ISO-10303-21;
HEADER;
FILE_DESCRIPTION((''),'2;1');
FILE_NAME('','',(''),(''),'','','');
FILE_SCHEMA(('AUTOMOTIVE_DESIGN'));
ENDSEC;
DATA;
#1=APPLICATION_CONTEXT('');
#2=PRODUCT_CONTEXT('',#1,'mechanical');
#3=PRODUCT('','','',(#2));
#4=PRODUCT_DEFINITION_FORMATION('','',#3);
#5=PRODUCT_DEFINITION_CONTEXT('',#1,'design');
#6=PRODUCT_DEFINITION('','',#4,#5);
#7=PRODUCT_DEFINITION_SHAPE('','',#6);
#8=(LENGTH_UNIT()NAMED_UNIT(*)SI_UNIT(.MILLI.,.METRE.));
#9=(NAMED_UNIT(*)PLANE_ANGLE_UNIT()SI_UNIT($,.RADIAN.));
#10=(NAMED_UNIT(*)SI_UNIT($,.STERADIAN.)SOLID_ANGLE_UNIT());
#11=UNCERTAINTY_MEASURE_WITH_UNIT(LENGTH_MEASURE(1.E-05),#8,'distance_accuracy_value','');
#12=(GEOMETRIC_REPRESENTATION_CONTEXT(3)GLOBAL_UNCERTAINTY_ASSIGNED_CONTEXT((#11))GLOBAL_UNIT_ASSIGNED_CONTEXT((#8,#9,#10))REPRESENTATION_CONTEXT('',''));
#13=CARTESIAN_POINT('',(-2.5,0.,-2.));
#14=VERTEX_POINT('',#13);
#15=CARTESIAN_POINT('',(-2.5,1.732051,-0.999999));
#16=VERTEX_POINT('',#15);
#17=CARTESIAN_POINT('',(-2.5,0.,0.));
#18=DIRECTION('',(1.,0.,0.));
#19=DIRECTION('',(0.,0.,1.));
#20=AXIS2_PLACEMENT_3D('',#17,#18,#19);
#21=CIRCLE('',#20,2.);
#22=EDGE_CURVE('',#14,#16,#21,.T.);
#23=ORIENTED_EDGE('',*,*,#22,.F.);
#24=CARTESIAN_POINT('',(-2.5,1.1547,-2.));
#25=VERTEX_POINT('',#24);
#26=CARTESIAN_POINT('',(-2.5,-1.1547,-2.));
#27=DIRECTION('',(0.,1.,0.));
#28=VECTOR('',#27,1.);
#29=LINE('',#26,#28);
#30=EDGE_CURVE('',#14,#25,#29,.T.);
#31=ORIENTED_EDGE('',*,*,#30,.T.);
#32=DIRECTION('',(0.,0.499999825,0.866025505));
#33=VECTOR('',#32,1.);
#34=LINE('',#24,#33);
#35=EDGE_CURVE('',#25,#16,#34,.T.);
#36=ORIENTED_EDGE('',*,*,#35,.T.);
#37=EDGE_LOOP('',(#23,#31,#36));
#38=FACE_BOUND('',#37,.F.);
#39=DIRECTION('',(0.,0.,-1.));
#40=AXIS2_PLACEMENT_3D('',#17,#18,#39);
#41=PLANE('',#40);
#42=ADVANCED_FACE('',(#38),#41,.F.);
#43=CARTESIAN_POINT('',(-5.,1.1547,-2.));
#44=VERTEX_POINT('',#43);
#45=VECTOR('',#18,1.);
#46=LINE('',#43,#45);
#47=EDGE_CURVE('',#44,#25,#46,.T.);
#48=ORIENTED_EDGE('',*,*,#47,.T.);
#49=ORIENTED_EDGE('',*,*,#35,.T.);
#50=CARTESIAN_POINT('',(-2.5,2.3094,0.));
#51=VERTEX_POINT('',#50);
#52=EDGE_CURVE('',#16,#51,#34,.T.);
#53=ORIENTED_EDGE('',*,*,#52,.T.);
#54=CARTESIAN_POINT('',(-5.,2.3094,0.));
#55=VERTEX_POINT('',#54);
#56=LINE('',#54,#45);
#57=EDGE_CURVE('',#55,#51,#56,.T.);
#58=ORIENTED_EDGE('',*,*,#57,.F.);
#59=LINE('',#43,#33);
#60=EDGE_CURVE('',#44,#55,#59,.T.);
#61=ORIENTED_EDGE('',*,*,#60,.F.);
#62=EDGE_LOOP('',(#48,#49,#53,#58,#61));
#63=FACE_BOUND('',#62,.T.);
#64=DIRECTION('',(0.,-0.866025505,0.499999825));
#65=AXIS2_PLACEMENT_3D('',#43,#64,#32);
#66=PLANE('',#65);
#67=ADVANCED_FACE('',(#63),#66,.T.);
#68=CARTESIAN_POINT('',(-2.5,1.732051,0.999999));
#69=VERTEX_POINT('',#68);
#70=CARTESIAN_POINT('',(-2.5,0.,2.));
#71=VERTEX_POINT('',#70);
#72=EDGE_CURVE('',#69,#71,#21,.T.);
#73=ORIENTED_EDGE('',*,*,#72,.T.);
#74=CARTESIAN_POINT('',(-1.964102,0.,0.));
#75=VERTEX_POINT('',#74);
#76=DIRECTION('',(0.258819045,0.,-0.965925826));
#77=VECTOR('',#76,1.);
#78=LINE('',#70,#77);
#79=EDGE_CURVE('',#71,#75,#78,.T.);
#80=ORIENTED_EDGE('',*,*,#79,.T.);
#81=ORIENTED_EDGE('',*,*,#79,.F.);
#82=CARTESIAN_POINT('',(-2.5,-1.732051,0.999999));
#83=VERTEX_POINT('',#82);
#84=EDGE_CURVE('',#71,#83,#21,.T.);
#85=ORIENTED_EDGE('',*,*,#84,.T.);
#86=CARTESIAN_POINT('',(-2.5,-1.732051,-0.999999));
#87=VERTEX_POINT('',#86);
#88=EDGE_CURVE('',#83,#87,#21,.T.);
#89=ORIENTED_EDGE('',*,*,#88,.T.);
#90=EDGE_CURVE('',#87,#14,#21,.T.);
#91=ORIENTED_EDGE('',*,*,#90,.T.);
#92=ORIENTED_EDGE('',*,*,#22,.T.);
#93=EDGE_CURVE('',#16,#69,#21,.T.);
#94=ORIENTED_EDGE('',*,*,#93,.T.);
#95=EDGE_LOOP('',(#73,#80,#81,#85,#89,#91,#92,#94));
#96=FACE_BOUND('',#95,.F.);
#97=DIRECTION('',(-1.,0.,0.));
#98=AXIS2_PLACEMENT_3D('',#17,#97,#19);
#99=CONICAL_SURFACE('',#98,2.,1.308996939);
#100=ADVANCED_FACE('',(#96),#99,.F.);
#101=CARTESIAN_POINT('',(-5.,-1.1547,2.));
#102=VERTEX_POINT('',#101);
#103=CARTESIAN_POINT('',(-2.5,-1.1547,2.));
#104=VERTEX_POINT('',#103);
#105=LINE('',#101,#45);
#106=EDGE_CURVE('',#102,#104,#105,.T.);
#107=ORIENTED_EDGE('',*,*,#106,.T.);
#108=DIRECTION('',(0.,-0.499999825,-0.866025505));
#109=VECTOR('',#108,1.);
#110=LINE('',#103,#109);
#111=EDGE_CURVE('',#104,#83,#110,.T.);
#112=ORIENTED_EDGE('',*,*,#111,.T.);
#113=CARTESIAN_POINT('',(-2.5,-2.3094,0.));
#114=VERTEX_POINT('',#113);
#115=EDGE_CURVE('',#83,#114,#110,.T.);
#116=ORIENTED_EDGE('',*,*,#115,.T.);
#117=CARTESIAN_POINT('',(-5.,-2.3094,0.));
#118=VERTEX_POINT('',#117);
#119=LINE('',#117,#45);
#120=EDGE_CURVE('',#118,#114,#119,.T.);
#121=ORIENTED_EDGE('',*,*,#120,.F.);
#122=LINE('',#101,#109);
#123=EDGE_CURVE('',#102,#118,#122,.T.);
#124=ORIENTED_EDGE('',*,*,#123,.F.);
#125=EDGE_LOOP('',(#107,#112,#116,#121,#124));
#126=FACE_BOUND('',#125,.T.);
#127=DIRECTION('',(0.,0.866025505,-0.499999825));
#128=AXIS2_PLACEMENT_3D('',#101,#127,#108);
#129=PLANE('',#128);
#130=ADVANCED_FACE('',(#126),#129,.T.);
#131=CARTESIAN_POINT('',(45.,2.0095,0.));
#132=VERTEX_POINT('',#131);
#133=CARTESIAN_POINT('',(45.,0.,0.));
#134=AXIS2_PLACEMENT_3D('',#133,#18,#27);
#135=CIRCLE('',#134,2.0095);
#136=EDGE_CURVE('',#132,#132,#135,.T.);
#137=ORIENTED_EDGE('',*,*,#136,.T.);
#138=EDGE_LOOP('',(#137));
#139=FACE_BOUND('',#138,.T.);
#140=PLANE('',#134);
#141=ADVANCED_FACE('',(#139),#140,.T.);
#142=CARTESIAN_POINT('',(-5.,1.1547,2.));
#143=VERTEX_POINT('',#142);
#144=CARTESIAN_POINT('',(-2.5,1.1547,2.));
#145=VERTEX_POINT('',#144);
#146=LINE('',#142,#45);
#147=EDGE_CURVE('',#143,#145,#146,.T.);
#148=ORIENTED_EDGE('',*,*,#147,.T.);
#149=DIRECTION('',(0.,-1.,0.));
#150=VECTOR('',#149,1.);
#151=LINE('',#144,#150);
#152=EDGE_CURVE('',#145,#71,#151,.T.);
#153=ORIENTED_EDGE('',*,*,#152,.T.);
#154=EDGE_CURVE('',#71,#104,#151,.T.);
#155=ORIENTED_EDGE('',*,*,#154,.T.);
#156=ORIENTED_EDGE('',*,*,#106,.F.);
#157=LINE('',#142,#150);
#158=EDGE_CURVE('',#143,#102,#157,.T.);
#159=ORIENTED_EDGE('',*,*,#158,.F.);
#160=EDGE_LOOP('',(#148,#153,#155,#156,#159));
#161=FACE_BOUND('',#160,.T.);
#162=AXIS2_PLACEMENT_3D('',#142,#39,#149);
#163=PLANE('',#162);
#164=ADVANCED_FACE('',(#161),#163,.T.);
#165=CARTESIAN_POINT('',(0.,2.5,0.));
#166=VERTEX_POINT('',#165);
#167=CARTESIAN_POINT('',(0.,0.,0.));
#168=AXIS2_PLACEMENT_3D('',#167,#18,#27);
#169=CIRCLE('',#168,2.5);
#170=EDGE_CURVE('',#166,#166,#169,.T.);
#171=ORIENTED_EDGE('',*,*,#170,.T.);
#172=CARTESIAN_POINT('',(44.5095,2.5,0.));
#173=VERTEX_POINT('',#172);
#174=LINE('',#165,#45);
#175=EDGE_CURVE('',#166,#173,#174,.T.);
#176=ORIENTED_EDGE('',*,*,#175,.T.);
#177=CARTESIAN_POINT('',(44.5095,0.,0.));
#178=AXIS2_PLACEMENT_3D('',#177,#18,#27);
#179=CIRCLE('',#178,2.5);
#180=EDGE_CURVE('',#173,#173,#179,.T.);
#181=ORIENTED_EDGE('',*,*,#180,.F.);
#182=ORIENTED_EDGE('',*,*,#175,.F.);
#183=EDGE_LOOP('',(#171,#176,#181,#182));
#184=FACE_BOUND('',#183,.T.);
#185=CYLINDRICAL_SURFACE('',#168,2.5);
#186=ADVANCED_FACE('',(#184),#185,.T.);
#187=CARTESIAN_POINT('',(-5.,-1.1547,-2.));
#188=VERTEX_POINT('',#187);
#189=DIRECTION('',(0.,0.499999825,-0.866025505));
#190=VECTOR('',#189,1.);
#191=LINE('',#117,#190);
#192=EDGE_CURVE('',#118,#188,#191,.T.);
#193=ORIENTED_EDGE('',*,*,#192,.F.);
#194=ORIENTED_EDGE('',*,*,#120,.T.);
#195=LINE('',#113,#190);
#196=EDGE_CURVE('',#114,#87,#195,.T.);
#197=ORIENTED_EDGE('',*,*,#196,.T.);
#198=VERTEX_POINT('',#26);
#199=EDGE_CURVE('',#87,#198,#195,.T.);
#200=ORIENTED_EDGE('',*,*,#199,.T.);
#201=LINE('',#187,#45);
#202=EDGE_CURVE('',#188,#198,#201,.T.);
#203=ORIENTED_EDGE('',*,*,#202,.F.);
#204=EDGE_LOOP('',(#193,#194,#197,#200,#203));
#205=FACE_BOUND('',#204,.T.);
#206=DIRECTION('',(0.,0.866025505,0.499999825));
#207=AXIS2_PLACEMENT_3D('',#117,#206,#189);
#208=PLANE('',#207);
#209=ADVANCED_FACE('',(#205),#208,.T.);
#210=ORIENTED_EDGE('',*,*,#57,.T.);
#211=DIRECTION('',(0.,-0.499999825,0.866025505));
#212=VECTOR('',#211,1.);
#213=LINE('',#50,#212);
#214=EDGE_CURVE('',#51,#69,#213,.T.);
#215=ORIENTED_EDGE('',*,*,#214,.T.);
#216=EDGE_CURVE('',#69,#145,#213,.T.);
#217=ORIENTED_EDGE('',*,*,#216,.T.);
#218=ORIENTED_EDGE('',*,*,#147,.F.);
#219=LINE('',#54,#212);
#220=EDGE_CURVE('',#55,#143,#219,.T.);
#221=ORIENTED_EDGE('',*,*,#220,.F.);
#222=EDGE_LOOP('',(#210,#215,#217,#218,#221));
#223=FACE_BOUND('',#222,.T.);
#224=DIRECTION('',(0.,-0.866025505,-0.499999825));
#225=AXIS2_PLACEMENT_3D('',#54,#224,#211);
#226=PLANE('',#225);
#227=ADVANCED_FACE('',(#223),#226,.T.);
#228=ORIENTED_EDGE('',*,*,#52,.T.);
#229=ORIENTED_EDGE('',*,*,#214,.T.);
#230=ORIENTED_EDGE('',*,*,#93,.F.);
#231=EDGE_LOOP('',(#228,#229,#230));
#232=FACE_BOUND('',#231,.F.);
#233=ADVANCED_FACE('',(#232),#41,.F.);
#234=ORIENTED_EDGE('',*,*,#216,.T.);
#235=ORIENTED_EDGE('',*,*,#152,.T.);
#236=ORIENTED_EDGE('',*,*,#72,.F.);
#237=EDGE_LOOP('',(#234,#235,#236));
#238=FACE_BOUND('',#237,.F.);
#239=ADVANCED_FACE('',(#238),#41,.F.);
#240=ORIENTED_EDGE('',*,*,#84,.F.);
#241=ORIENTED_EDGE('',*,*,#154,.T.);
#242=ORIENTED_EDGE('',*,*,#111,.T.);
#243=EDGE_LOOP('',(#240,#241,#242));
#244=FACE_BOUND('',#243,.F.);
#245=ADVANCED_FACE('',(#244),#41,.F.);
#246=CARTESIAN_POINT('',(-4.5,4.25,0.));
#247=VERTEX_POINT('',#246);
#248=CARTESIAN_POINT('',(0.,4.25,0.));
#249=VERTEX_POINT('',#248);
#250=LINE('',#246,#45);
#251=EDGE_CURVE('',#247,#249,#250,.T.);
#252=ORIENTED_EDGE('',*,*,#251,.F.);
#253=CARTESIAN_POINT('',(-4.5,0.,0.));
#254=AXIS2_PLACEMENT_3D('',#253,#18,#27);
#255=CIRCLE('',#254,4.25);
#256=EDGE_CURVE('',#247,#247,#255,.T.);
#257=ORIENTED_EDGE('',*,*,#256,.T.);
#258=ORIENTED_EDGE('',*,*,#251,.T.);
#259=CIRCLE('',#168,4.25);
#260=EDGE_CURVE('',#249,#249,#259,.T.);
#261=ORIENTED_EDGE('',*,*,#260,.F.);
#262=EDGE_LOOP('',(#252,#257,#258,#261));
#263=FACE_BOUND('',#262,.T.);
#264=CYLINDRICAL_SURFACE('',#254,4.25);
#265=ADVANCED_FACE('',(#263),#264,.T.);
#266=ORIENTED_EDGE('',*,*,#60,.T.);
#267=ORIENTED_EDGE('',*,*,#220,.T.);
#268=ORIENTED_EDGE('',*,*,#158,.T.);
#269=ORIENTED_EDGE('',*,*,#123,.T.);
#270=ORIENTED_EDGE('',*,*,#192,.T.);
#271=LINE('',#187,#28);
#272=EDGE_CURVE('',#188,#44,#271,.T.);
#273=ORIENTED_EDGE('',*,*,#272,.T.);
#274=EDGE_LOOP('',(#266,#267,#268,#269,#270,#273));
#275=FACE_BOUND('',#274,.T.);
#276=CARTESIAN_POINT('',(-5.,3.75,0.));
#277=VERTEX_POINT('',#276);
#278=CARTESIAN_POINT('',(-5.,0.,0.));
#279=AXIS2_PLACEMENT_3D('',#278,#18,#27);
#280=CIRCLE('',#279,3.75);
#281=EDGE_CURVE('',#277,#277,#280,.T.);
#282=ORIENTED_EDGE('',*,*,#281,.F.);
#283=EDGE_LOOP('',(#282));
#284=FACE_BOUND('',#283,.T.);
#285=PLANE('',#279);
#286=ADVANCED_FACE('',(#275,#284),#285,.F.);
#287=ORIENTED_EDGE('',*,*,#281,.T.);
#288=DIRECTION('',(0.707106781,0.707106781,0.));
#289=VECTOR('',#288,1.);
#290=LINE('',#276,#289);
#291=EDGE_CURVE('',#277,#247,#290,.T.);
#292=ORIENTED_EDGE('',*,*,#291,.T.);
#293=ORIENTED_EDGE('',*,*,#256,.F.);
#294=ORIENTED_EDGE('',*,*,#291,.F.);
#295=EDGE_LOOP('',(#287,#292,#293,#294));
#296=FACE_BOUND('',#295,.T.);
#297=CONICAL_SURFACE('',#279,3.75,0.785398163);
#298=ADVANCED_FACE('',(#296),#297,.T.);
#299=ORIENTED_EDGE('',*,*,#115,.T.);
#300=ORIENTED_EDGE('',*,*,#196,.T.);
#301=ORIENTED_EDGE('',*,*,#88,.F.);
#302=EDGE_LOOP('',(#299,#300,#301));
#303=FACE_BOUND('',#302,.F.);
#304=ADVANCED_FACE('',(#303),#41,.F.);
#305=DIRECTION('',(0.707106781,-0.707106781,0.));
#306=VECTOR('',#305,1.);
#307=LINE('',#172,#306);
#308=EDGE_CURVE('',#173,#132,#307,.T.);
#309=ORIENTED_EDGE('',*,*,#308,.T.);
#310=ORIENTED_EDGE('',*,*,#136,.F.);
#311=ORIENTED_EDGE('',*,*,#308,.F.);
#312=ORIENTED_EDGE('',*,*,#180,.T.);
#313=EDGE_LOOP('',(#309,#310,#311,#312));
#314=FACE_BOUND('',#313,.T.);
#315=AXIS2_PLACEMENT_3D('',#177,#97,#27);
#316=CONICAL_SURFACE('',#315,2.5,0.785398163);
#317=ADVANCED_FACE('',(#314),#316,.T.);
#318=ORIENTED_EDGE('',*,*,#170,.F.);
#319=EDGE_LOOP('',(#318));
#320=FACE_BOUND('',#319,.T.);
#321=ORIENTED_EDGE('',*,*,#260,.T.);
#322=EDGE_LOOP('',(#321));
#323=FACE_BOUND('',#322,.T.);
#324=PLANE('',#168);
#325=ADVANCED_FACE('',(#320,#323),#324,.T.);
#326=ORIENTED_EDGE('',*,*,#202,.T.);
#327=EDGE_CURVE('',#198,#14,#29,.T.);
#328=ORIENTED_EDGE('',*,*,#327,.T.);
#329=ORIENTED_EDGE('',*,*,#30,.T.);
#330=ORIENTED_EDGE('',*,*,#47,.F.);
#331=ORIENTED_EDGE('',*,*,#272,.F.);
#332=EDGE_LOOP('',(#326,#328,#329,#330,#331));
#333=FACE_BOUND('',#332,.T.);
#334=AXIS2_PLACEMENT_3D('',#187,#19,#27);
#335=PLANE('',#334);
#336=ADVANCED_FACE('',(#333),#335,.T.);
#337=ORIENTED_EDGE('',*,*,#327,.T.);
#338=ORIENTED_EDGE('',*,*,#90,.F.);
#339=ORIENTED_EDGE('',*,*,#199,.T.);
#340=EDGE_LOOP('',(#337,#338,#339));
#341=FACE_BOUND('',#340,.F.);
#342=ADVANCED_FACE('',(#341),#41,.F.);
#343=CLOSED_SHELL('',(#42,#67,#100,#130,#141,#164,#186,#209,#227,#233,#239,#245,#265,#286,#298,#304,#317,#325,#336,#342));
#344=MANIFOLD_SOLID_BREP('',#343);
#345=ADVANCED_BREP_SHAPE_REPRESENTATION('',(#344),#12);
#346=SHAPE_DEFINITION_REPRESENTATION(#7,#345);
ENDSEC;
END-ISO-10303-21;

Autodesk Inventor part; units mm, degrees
sketch "Sketch_2" plane through (0, 0, 0) normal (0, 0, 1) x (1, 0, 0)
  line L0 (45, 0) -> (-5, 0)
  line L1 (-5, 0) -> (-5, 3.75)
  line L2 (-5, 3.75) -> (-4.5, 4.25)
  line L3 (-4.5, 4.25) -> (0, 4.25)
  line L4 (0, 4.25) -> (0, 2.5)
  line L5 (0, 2.5) -> (44.5095, 2.5)
  line L6 (44.5095, 2.5) -> (45, 2.0095)
  line L7 (45, 2.0095) -> (45, 0)
  line L8 (45, 0) -> (-5, 0)
revolve "Revolution1" add sketch "Sketch_2" angle 360 about axis through (45, 0, 0) along (1, 0, 0)
thread "Thread1" size "M5x0.8" class "6g" standard "ISO Metric profile" length 21.5095
sketch "Sketch2" plane through (-5, 0, 0) normal (-1, 0, 0) x (0, 0, 1)
  point P0 (0, 0)
hole "Hole1" at (-5, 0, 0) direction (1, 0, 0) diameter 4 depth 2.5 tip angle 150
sketch "Sketch_3" plane through (-5, 0, 0) normal (1, 0, 0) x (0, 0, -1)
  line L0 (-2, -1.1547) -> (0, -2.3094)
  line L1 (0, -2.3094) -> (2, -1.1547)
  line L2 (2, -1.1547) -> (2, 1.1547)
  line L3 (2, 1.1547) -> (0, 2.3094)
  line L4 (0, 2.3094) -> (-2, 1.1547)
  line L5 (-2, 1.1547) -> (-2, -1.1547)
extrude "Extrusion1" cut sketch "Sketch_3" along normal blind 2.5
ref_plane "bolt_to_nut_XY" through (45, 0, 0) normal (1, 0, 0) x (0, 0, -1)
ref_plane "bolt_to_nut_YZ" through (45, 0, 0) normal (0, 0, -1) x (0, 1, 0)
ref_plane "bolt_to_nut_ZX" through (45, 0, 0) normal (0, 1, 0) x (1, 0, 0)
ref_plane "screw1_XY" through (0, 0, 0) normal (1, 0, 0) x (0, 0, -1)
ref_plane "screw1_YZ" through (0, 0, 0) normal (0, 0, -1) x (0, 1, 0)
ref_plane "screw1_ZX" through (0, 0, 0) normal (0, 1, 0) x (1, 0, 0)
properties part number "CB5-45" material "鋼、炭素鋼"
